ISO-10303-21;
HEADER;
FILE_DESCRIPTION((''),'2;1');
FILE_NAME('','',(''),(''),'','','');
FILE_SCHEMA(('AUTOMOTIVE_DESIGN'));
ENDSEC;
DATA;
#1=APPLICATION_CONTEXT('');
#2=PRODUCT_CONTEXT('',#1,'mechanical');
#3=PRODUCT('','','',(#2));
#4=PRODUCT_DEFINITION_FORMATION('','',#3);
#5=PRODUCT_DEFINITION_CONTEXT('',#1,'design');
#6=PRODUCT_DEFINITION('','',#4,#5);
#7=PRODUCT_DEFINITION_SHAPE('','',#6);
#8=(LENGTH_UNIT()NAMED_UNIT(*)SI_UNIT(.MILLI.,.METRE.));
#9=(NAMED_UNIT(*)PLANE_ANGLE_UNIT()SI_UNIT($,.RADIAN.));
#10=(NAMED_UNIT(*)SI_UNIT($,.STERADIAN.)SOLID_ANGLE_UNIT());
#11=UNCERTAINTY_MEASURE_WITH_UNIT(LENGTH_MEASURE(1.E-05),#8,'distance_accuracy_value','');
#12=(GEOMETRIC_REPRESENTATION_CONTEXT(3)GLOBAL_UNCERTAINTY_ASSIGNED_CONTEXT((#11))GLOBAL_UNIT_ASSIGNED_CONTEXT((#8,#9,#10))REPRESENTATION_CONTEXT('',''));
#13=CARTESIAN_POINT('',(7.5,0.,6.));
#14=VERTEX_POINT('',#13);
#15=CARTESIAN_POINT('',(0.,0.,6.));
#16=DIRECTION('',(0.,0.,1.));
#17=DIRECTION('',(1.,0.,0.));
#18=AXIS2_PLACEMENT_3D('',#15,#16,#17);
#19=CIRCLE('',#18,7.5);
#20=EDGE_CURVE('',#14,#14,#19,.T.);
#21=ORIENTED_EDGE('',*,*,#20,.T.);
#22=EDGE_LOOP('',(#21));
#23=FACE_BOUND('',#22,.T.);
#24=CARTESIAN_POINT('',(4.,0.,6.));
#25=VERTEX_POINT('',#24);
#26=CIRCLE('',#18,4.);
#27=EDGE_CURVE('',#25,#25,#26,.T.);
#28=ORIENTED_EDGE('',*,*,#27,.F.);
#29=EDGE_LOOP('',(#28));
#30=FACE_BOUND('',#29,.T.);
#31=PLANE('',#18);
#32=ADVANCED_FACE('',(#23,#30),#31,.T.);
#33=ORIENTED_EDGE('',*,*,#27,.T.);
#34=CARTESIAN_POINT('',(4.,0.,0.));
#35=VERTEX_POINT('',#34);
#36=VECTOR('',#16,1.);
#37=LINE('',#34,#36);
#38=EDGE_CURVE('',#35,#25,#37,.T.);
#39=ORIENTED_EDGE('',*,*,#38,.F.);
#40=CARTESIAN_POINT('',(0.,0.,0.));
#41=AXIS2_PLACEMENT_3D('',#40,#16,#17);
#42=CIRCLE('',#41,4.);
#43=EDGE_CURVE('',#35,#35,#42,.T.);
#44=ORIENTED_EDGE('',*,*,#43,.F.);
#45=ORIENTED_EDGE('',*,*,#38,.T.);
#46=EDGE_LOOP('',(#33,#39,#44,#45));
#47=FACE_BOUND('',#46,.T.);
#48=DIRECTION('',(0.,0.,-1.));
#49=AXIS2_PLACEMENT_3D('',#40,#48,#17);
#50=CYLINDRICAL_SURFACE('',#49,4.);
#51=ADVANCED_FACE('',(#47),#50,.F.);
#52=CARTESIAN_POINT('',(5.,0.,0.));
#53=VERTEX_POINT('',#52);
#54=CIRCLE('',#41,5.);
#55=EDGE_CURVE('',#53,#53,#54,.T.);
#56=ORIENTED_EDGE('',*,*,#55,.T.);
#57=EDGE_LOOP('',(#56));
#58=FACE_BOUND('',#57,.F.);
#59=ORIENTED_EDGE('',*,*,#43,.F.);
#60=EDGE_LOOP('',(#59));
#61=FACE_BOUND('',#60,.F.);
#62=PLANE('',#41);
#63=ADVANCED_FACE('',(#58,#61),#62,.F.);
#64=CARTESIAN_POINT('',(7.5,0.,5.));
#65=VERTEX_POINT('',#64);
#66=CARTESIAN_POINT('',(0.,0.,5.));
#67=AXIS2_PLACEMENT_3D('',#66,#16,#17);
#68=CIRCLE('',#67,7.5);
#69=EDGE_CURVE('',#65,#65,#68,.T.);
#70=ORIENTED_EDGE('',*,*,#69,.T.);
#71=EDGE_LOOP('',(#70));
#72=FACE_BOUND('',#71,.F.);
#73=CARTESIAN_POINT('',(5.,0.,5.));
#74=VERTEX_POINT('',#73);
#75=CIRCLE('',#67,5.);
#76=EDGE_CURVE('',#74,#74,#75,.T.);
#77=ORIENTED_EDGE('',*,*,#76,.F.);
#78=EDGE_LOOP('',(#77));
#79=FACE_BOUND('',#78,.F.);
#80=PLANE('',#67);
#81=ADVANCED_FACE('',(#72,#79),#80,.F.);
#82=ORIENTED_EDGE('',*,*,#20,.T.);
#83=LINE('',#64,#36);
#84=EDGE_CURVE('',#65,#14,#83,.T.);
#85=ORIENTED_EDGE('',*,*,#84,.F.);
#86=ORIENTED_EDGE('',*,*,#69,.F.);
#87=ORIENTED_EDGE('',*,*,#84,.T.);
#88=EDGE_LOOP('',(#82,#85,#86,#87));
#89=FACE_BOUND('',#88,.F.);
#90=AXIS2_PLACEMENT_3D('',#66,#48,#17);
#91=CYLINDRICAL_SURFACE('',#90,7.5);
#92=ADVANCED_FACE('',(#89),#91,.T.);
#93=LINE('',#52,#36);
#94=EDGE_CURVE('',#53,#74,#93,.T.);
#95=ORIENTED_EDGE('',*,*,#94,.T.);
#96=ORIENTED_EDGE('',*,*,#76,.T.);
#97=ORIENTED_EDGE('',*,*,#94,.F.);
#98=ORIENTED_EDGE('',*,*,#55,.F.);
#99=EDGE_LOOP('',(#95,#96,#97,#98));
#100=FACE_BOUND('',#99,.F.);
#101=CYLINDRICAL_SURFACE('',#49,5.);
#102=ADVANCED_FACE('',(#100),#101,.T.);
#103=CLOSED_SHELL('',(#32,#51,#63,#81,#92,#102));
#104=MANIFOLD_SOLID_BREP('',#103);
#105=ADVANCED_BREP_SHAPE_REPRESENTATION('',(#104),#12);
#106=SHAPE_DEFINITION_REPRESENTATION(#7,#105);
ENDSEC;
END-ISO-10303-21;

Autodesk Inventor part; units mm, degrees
ref_plane "YZ Plane" through (0, 0, 0) normal (1, 0, 0) x (0, 1, 0)
ref_plane "XZ Plane" through (0, 0, 0) normal (0, 1, 0) x (-1, 0, 0)
ref_plane "XY Plane" through (0, 0, 0) normal (0, 0, 1) x (1, 0, 0)
sketch "スケッチ1" plane through (0, 0, 0) normal (0, 0, 1) x (1, 0, 0)
  circle A0 centre (0, 0) radius 4
  circle A1 centre (0, 0) radius 5
  dimension "d0" = 8
  dimension "d1" = 10
extrude "押し出し1" add sketch "スケッチ1" along normal blind 5
sketch "スケッチ2" plane through (0, 0, 5) normal (0, 0, 1) x (1, 0, 0)
  circle A0 centre (0, 0) radius 4 projected
  circle A1 centre (0, 0) radius 7.5
  dimension "d4" = 15
extrude "押し出し2" add sketch "スケッチ2" along normal blind 1
properties part number "オイレスフランジ付き081005" material "アセタール樹脂、黒"
